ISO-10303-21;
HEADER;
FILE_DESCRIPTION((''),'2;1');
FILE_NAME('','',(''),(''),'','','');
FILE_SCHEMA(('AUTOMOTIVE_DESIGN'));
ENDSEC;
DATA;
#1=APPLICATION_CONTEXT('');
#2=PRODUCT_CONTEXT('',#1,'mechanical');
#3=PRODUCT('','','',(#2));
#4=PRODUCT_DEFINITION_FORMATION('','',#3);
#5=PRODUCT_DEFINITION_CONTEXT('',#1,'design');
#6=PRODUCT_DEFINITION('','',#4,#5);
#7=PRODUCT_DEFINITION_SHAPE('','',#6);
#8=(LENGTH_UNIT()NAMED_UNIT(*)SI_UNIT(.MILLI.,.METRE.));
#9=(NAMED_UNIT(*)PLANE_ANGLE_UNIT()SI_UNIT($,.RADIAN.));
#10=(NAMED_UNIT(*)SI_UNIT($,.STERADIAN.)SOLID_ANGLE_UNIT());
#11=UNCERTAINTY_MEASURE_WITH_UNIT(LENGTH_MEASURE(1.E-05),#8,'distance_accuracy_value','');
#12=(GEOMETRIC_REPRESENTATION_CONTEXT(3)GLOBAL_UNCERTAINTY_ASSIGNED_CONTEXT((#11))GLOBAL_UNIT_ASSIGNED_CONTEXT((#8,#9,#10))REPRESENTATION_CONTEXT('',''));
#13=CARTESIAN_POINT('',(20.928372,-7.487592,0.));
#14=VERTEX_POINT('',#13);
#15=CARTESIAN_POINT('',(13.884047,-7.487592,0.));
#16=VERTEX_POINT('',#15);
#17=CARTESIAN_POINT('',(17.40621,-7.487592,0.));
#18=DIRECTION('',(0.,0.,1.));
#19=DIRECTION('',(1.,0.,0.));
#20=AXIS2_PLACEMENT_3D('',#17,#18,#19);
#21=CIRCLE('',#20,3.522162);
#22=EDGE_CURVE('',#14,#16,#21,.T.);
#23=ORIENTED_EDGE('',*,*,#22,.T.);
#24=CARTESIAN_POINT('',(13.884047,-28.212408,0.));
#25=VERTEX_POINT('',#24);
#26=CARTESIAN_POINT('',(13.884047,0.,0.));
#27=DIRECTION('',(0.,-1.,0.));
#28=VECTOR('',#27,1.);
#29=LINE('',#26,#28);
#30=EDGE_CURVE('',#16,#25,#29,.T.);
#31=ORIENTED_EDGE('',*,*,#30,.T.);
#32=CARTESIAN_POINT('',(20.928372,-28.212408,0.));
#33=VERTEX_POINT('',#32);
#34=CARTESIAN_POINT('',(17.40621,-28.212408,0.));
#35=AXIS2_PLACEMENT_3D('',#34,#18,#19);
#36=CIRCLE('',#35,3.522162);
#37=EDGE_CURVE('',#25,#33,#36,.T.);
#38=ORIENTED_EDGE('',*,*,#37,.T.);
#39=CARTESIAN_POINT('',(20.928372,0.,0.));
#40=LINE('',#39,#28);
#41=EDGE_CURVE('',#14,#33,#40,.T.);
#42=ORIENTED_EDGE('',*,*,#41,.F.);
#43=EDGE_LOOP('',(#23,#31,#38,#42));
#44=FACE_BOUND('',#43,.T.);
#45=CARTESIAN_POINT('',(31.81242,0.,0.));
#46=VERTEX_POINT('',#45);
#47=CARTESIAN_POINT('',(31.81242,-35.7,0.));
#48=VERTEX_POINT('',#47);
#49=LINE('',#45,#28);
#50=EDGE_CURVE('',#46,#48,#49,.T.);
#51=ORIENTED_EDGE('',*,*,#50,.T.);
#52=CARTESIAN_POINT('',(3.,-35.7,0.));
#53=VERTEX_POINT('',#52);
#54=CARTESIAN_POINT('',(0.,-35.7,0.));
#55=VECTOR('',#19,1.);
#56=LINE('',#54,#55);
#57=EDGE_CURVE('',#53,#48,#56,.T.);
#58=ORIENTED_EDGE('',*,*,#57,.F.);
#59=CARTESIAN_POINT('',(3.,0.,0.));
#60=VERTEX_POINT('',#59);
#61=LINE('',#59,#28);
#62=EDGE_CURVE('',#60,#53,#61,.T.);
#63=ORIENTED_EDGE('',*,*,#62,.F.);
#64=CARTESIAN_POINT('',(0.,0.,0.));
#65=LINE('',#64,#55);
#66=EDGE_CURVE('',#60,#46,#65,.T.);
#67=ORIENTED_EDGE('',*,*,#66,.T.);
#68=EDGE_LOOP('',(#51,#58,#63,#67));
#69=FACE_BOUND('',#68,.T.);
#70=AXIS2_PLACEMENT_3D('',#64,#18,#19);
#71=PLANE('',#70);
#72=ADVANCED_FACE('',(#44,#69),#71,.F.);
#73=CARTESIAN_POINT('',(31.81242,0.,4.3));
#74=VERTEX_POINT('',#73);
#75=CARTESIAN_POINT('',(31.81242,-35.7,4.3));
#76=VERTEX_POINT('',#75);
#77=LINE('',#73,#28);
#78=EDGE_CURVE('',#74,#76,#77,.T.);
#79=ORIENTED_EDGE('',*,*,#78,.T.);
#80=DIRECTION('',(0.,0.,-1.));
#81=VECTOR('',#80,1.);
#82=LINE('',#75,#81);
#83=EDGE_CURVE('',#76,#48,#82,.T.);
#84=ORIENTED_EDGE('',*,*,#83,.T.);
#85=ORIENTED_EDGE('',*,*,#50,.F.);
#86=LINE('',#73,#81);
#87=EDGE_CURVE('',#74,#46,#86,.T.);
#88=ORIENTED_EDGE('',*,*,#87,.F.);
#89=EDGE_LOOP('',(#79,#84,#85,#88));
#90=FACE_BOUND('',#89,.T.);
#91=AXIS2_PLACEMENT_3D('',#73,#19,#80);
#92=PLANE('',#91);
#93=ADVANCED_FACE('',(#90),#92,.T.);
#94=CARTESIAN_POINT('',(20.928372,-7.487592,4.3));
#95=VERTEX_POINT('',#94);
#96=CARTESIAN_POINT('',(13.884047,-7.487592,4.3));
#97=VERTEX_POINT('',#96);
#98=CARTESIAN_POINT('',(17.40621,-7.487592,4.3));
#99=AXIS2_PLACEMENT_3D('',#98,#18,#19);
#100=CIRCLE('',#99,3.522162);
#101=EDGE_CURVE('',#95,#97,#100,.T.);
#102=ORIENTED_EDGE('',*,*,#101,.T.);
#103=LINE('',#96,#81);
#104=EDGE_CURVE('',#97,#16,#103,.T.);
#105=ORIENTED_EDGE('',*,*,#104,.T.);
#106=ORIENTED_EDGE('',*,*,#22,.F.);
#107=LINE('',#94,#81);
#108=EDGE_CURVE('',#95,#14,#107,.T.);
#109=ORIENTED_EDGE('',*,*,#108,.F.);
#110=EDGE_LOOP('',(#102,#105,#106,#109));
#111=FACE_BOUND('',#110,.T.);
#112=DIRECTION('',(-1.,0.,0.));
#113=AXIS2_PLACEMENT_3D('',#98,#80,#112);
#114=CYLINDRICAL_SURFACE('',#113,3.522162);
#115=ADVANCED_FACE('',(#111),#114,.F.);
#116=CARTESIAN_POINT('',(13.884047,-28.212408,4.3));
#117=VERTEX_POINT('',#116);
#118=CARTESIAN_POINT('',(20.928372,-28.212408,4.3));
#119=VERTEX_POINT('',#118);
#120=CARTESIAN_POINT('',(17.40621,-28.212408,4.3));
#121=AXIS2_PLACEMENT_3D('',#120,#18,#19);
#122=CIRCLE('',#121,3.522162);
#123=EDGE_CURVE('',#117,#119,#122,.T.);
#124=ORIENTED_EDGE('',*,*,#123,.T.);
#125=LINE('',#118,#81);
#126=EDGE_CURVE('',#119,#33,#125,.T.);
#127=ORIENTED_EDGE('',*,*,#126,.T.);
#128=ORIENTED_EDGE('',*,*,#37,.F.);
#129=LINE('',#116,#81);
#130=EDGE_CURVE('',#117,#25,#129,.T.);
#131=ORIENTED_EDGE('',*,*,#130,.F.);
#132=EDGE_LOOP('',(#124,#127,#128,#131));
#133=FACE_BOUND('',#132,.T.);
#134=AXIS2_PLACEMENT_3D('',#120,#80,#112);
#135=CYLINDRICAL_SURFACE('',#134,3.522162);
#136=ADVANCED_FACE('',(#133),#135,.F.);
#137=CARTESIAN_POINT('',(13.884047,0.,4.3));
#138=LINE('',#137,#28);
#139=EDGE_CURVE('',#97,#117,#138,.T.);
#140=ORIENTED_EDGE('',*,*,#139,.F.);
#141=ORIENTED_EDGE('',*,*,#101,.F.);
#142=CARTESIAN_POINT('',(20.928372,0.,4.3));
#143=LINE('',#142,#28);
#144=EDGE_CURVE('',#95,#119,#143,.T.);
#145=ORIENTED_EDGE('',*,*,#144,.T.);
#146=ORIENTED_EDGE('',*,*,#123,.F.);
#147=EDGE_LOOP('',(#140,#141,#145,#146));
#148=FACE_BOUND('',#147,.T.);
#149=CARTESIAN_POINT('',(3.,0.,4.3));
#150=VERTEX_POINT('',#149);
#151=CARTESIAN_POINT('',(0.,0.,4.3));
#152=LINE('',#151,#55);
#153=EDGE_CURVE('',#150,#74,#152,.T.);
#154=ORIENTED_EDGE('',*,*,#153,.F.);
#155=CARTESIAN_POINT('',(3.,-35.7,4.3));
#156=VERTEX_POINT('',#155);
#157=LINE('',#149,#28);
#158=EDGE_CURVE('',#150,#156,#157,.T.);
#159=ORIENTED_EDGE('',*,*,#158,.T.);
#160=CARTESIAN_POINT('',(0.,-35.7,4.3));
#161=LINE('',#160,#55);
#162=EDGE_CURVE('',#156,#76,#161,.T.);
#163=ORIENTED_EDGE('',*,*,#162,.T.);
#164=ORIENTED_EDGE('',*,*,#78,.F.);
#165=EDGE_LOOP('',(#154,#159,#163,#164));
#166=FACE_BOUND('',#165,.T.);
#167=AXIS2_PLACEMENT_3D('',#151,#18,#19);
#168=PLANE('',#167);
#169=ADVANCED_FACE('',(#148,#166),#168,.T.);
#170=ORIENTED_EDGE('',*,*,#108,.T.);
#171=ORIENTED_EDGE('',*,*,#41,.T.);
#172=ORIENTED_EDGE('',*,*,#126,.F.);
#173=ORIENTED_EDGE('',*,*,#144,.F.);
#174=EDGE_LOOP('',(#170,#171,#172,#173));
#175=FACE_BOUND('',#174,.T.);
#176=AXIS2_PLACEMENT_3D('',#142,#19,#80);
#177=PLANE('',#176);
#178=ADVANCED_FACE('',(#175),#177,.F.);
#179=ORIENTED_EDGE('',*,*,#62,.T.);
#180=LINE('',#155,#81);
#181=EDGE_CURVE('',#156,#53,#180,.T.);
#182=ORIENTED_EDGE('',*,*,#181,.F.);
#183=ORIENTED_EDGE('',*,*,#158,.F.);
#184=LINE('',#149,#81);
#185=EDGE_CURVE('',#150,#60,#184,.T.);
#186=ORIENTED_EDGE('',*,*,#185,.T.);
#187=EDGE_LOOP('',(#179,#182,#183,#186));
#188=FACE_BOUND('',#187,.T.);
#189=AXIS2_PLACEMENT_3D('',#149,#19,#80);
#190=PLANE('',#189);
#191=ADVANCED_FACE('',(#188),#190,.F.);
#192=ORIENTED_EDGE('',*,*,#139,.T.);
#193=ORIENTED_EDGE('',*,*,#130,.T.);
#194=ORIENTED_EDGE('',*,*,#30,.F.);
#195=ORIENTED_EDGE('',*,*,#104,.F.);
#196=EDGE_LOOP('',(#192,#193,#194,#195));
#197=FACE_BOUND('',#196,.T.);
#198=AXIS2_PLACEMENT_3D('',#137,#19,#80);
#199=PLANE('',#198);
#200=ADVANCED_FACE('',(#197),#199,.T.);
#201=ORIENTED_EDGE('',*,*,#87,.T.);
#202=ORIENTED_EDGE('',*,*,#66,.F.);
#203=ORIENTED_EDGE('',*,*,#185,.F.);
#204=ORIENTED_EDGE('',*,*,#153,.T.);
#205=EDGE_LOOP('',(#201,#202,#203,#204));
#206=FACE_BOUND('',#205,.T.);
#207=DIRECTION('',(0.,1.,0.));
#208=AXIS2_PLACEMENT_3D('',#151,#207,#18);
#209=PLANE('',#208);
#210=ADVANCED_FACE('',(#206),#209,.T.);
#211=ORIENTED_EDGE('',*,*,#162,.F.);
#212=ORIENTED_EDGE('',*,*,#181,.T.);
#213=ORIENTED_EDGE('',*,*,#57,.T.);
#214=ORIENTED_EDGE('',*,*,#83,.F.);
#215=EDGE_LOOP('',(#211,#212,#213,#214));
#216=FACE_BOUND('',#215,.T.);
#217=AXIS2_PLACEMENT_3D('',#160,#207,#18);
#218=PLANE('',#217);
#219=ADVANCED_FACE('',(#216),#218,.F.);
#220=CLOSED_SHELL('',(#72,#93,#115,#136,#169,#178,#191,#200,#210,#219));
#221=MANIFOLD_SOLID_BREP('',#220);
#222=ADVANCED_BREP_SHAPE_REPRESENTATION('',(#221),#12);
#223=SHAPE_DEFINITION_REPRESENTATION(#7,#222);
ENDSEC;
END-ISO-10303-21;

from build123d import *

# Parameters (mm, degrees)
SKETCH_1_W      = 28.812419505
SKETCH_1_H      = 35.7
EXTRUDE_1_DEPTH = 4.3


with BuildPart() as part:
    # 草图1 → 凸台-拉伸1 (new body)
    with BuildSketch(Plane.XY):
        with Locations((17.406209753, -17.85)):
            Rectangle(SKETCH_1_W, SKETCH_1_H)
        with BuildLine():
            ThreePointArc((13.884047379, -28.212407831), (17.406209752, -31.734570205), (20.928372126, -28.212407831))
            Line((20.928372126, -28.212407831), (20.928372126, -7.487592169))
            ThreePointArc((20.928372126, -7.487592169), (17.406209752, -3.965429795), (13.884047379, -7.487592169))
            Line((13.884047379, -7.487592169), (13.884047379, -28.212407831))
        make_face(mode=Mode.SUBTRACT)
    extrude(amount=EXTRUDE_1_DEPTH)


solid = part.part
